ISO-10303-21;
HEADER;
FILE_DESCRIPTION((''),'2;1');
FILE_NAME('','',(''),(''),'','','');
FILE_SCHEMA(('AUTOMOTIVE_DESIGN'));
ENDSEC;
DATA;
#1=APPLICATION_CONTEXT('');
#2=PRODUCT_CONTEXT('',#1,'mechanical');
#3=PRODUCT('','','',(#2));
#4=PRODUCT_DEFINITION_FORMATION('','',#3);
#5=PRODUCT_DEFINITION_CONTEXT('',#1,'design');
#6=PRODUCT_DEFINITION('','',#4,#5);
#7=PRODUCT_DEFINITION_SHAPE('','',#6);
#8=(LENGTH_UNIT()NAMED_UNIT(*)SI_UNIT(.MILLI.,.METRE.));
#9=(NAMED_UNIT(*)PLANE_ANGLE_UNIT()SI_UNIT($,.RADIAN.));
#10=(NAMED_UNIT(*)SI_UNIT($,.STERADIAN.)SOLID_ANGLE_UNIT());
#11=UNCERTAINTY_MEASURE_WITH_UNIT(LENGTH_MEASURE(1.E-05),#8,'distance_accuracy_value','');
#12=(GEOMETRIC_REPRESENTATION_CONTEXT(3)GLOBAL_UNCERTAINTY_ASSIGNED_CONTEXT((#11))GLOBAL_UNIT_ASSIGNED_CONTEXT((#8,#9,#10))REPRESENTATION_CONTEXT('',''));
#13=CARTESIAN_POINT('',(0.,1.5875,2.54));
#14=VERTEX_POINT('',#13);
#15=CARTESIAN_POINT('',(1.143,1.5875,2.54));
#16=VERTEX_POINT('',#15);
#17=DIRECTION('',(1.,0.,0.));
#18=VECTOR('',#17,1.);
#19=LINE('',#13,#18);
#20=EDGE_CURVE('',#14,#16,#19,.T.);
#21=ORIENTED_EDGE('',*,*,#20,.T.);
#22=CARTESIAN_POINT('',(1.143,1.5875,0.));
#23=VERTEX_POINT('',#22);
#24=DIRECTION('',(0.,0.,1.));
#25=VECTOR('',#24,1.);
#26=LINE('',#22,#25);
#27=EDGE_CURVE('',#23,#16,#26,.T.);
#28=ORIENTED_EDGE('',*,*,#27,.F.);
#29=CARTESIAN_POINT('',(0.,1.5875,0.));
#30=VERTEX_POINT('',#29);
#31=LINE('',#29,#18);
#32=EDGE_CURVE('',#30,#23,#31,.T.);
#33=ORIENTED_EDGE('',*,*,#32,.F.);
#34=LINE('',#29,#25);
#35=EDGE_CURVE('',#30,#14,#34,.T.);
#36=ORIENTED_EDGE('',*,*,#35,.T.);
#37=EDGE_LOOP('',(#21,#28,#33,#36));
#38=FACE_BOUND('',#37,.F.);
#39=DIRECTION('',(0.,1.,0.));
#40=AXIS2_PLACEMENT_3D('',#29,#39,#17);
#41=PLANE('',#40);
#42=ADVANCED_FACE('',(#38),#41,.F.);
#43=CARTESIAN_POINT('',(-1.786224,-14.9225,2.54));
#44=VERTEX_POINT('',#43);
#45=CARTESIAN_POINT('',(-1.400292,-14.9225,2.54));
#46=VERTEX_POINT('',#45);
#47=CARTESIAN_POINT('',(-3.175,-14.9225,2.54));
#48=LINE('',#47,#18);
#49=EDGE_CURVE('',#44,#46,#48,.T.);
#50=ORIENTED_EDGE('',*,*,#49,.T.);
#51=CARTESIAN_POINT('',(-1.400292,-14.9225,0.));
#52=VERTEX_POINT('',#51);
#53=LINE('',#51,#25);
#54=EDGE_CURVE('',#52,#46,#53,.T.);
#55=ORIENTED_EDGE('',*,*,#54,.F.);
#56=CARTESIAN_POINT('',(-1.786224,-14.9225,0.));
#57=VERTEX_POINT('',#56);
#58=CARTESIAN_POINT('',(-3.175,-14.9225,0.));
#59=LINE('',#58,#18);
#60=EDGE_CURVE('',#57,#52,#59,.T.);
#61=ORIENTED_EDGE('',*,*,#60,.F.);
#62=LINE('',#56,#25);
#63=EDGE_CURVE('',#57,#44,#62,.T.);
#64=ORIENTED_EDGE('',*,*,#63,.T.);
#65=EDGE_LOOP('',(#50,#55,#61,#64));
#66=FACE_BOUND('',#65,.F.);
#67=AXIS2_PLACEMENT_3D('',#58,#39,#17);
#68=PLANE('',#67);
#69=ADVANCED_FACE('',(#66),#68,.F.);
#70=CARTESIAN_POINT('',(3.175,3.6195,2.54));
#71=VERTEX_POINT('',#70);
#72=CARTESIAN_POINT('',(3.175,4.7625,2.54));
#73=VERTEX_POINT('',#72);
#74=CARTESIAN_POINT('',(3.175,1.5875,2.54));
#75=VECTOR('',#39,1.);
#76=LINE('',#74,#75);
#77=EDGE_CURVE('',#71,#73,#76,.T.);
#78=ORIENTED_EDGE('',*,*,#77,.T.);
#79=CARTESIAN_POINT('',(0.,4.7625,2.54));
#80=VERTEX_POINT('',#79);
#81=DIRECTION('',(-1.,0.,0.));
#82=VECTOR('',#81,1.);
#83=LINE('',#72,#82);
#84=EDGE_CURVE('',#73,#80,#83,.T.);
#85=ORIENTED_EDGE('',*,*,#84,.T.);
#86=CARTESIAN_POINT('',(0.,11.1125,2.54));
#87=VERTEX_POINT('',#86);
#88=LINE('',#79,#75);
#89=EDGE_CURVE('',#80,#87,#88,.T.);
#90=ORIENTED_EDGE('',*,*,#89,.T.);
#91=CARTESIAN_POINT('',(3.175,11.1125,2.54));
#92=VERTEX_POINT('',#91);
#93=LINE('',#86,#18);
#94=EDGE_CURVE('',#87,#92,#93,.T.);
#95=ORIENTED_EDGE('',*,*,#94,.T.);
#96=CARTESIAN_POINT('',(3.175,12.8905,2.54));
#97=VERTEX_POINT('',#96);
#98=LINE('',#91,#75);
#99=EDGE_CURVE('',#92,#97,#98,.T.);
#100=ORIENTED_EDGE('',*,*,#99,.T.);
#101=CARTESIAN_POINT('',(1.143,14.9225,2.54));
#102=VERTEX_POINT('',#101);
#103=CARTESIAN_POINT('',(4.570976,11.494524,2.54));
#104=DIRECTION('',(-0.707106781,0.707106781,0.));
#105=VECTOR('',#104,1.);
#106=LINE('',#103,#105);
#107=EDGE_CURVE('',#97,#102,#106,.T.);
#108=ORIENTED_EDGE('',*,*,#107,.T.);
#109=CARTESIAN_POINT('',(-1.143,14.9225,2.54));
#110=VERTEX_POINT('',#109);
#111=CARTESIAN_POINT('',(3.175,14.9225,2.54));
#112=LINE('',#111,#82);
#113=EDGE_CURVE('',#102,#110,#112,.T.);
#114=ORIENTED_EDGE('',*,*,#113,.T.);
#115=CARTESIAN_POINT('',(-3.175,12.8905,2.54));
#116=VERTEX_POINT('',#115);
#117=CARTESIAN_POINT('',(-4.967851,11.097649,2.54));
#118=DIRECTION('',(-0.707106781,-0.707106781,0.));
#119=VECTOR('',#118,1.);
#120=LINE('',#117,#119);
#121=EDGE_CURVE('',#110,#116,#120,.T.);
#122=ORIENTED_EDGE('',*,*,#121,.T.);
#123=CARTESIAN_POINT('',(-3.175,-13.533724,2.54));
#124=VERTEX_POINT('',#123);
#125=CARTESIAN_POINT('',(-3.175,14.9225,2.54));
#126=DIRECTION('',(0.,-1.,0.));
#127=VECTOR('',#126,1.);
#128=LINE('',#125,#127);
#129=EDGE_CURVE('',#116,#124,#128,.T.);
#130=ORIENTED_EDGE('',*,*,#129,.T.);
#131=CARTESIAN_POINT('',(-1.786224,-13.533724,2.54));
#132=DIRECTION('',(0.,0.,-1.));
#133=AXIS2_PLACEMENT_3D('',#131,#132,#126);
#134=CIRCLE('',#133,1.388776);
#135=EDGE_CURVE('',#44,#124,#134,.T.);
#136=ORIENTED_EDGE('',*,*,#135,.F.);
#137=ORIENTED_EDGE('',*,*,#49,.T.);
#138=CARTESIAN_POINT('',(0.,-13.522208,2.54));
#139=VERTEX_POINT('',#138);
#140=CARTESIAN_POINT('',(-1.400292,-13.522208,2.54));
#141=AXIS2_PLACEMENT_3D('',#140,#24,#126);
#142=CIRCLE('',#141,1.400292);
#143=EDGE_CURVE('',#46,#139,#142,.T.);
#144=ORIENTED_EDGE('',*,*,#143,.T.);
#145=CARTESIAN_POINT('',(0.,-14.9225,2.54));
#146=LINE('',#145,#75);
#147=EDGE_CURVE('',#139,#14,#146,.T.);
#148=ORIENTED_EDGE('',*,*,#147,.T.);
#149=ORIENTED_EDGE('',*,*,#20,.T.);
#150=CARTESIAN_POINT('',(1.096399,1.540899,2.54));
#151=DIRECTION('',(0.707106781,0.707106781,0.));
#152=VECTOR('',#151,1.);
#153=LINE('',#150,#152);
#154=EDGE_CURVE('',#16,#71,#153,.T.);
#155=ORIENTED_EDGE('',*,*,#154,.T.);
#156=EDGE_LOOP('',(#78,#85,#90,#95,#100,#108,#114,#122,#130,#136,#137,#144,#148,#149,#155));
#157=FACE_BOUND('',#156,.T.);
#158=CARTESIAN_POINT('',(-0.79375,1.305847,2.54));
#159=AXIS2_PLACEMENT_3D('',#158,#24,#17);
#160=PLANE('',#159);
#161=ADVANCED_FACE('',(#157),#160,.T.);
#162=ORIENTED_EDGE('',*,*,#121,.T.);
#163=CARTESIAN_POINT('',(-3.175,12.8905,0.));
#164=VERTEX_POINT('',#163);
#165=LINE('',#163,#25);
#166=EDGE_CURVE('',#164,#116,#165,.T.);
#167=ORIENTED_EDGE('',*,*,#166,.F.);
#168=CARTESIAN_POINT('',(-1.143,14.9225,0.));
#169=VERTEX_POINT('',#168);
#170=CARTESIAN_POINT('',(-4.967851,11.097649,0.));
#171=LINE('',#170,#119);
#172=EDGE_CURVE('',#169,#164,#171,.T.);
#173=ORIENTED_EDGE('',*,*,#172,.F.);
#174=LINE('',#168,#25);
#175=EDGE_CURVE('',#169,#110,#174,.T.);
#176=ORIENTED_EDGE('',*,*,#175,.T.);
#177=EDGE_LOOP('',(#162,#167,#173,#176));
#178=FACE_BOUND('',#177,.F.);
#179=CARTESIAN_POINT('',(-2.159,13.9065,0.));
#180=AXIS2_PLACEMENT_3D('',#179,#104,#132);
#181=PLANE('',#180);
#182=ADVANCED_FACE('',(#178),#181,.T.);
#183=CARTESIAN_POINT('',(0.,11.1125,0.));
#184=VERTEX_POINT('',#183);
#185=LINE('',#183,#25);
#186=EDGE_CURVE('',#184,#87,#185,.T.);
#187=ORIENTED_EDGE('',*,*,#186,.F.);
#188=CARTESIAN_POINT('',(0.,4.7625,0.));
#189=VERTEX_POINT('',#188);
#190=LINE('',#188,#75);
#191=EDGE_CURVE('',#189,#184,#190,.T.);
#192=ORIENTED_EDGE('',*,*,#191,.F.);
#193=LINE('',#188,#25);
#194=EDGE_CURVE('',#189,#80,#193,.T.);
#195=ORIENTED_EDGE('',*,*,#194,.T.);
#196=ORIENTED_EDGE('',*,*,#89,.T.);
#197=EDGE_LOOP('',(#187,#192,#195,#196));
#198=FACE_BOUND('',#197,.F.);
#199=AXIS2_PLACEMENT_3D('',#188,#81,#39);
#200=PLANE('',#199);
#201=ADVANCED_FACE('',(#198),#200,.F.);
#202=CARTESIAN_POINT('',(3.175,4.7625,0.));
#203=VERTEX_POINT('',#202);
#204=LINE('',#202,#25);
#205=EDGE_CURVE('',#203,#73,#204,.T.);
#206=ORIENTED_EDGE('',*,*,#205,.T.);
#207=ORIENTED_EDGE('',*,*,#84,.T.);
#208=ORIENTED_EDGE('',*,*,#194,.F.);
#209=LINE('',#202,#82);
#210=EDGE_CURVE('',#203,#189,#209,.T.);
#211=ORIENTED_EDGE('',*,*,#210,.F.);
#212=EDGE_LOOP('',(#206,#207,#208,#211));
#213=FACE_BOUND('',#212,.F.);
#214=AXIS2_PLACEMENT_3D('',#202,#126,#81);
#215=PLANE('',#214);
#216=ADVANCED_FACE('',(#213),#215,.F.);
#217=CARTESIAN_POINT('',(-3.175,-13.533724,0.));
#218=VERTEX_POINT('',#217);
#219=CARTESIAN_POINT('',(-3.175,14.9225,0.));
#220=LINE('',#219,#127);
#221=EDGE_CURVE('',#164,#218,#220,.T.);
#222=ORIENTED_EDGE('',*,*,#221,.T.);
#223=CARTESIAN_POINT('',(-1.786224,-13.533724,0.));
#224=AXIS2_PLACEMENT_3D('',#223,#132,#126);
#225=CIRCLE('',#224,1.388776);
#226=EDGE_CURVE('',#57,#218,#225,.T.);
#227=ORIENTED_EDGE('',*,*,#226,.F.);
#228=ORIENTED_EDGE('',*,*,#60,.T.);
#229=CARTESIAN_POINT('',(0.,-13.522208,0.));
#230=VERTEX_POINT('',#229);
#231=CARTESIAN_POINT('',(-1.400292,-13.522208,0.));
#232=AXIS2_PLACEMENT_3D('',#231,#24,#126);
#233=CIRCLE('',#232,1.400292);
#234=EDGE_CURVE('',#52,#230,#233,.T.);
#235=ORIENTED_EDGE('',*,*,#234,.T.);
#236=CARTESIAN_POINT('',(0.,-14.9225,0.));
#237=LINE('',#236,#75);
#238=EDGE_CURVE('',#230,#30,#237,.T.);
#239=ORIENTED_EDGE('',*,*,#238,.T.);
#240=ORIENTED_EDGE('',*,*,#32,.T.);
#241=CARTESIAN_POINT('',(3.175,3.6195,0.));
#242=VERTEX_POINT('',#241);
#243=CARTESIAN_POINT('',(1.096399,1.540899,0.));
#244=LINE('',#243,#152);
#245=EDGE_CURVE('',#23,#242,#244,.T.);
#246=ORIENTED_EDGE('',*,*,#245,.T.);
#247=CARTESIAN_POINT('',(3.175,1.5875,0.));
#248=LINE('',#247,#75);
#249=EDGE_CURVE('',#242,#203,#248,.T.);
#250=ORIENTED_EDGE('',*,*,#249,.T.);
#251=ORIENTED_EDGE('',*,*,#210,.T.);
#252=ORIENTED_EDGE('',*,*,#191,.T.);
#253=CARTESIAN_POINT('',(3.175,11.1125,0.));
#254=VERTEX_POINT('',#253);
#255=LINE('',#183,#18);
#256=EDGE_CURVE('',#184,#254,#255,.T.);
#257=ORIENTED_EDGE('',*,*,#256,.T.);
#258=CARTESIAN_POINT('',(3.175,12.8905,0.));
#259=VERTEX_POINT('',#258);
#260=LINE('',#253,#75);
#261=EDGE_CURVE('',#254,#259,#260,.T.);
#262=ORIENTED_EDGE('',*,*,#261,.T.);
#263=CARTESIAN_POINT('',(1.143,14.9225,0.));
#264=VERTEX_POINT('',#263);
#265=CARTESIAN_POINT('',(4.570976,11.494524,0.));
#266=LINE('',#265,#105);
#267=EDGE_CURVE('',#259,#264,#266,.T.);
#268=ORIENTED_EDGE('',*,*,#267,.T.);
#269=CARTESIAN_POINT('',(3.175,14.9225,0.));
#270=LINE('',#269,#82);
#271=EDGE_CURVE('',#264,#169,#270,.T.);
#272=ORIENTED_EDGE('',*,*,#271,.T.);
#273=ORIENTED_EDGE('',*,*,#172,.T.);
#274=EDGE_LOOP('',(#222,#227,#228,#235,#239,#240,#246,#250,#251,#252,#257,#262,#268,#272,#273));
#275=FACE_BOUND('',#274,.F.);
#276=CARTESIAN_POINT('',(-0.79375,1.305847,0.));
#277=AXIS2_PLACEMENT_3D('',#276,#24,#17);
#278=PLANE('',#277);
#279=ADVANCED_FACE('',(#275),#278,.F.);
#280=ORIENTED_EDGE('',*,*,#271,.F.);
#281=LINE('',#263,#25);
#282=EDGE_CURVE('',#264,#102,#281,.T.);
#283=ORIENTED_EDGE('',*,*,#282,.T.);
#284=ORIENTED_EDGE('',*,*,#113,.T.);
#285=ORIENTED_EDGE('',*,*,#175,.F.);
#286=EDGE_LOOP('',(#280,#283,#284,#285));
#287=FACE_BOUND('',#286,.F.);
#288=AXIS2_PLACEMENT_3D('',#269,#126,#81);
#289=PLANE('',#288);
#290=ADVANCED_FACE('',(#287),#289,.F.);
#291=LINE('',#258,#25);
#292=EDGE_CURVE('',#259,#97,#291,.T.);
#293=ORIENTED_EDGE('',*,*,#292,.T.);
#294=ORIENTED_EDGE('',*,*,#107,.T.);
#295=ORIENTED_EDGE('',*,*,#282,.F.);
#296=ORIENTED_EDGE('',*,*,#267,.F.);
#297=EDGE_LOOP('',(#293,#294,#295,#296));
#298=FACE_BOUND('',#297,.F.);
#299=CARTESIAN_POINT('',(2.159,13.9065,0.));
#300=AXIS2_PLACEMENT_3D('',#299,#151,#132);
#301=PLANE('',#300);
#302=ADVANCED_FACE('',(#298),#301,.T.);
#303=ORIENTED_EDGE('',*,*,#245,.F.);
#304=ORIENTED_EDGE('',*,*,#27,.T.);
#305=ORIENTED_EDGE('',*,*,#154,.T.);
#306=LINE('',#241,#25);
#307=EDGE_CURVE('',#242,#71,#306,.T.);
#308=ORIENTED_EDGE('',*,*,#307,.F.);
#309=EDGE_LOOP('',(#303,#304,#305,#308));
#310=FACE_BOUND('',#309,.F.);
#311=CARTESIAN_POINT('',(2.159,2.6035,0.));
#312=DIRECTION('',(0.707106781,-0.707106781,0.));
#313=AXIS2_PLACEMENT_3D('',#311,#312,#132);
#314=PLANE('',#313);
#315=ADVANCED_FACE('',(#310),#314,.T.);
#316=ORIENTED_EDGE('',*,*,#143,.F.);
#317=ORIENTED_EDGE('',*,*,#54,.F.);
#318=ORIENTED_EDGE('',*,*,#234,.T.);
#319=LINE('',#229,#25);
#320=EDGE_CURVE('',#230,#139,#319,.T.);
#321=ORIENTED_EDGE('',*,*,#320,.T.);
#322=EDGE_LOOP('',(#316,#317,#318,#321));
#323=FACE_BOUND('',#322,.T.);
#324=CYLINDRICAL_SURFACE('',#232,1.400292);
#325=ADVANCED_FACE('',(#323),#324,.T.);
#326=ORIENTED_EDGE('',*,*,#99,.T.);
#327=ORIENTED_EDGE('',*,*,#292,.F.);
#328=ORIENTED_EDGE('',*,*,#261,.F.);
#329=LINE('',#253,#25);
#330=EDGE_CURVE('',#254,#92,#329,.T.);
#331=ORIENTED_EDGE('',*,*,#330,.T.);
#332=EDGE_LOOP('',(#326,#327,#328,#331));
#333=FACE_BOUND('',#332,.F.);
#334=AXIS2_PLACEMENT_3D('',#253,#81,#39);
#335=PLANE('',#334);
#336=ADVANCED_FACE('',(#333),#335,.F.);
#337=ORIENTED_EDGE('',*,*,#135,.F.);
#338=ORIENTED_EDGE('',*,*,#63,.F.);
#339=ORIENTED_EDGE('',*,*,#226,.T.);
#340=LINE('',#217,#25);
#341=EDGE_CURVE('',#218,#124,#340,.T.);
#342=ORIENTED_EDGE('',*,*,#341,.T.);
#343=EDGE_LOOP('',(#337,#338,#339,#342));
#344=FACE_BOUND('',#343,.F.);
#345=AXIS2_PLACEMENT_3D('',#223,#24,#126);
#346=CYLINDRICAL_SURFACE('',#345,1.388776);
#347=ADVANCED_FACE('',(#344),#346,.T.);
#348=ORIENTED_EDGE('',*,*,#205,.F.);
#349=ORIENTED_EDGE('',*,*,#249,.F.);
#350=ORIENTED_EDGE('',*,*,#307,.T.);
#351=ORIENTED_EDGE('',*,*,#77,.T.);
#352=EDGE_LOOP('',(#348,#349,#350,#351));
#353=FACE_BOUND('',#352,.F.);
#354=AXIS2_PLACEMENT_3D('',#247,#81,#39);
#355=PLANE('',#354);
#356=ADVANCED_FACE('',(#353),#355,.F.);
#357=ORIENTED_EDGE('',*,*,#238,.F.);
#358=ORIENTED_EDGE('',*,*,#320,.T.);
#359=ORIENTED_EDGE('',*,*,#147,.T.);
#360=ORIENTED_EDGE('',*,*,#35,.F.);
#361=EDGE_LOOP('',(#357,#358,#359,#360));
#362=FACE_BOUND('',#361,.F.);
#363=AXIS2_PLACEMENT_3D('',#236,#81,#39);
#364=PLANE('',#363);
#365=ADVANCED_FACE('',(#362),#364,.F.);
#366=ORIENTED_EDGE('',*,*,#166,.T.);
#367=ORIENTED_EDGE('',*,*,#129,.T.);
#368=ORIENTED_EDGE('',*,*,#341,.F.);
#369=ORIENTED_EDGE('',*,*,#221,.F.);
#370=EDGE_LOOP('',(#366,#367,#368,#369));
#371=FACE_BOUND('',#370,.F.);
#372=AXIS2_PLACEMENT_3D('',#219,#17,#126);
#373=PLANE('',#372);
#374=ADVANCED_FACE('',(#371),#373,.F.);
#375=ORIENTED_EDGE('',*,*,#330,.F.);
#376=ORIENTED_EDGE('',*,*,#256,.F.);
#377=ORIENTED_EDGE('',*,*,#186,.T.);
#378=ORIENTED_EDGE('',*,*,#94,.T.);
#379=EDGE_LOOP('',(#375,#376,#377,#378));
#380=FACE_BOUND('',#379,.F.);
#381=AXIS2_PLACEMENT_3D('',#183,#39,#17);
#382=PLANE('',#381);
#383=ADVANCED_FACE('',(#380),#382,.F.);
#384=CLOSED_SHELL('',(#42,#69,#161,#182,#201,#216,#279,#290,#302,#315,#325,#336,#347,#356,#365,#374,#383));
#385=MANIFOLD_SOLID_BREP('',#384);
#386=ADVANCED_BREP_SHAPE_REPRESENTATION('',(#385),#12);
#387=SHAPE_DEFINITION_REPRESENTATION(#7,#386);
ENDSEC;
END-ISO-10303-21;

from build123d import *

# Parameters (mm, degrees)
F1_DEPTH = 2.54
F2_SIZE  = 2.032
F3_R     = 1.400292
F4_R     = 1.388776


with BuildPart() as f1:
    # F0 (on Top) → F1 (new body)
    with BuildSketch(Plane.XY):
        Polygon((3.175, 11.1125), (3.175, 14.9225), (-3.175, 14.9225), (-3.175, -14.9225), (0, -14.9225), (0, 1.5875), (3.175, 1.5875), (3.175, 4.7625), (0, 4.7625), (0, 11.1125), align=None)
    extrude(amount=F1_DEPTH)

    # F2
    f2_edges = [f1.edges().sort_by_distance(p)[0] for p in [
        (3.175, 1.5875, 1.27),
        (3.175, 14.9225, 1.27),
        (-3.175, 14.9225, 1.27),
    ]]
    chamfer(f2_edges, length=F2_SIZE)

    # F3
    f3_edges = [f1.edges().sort_by_distance(p)[0] for p in [
        (0, -14.9225, 1.27),
    ]]
    fillet(f3_edges, radius=F3_R)

    # F4
    f4_edges = [f1.edges().sort_by_distance(p)[0] for p in [
        (-3.175, -14.9225, 1.27),
    ]]
    fillet(f4_edges, radius=F4_R)


solid = f1.part
